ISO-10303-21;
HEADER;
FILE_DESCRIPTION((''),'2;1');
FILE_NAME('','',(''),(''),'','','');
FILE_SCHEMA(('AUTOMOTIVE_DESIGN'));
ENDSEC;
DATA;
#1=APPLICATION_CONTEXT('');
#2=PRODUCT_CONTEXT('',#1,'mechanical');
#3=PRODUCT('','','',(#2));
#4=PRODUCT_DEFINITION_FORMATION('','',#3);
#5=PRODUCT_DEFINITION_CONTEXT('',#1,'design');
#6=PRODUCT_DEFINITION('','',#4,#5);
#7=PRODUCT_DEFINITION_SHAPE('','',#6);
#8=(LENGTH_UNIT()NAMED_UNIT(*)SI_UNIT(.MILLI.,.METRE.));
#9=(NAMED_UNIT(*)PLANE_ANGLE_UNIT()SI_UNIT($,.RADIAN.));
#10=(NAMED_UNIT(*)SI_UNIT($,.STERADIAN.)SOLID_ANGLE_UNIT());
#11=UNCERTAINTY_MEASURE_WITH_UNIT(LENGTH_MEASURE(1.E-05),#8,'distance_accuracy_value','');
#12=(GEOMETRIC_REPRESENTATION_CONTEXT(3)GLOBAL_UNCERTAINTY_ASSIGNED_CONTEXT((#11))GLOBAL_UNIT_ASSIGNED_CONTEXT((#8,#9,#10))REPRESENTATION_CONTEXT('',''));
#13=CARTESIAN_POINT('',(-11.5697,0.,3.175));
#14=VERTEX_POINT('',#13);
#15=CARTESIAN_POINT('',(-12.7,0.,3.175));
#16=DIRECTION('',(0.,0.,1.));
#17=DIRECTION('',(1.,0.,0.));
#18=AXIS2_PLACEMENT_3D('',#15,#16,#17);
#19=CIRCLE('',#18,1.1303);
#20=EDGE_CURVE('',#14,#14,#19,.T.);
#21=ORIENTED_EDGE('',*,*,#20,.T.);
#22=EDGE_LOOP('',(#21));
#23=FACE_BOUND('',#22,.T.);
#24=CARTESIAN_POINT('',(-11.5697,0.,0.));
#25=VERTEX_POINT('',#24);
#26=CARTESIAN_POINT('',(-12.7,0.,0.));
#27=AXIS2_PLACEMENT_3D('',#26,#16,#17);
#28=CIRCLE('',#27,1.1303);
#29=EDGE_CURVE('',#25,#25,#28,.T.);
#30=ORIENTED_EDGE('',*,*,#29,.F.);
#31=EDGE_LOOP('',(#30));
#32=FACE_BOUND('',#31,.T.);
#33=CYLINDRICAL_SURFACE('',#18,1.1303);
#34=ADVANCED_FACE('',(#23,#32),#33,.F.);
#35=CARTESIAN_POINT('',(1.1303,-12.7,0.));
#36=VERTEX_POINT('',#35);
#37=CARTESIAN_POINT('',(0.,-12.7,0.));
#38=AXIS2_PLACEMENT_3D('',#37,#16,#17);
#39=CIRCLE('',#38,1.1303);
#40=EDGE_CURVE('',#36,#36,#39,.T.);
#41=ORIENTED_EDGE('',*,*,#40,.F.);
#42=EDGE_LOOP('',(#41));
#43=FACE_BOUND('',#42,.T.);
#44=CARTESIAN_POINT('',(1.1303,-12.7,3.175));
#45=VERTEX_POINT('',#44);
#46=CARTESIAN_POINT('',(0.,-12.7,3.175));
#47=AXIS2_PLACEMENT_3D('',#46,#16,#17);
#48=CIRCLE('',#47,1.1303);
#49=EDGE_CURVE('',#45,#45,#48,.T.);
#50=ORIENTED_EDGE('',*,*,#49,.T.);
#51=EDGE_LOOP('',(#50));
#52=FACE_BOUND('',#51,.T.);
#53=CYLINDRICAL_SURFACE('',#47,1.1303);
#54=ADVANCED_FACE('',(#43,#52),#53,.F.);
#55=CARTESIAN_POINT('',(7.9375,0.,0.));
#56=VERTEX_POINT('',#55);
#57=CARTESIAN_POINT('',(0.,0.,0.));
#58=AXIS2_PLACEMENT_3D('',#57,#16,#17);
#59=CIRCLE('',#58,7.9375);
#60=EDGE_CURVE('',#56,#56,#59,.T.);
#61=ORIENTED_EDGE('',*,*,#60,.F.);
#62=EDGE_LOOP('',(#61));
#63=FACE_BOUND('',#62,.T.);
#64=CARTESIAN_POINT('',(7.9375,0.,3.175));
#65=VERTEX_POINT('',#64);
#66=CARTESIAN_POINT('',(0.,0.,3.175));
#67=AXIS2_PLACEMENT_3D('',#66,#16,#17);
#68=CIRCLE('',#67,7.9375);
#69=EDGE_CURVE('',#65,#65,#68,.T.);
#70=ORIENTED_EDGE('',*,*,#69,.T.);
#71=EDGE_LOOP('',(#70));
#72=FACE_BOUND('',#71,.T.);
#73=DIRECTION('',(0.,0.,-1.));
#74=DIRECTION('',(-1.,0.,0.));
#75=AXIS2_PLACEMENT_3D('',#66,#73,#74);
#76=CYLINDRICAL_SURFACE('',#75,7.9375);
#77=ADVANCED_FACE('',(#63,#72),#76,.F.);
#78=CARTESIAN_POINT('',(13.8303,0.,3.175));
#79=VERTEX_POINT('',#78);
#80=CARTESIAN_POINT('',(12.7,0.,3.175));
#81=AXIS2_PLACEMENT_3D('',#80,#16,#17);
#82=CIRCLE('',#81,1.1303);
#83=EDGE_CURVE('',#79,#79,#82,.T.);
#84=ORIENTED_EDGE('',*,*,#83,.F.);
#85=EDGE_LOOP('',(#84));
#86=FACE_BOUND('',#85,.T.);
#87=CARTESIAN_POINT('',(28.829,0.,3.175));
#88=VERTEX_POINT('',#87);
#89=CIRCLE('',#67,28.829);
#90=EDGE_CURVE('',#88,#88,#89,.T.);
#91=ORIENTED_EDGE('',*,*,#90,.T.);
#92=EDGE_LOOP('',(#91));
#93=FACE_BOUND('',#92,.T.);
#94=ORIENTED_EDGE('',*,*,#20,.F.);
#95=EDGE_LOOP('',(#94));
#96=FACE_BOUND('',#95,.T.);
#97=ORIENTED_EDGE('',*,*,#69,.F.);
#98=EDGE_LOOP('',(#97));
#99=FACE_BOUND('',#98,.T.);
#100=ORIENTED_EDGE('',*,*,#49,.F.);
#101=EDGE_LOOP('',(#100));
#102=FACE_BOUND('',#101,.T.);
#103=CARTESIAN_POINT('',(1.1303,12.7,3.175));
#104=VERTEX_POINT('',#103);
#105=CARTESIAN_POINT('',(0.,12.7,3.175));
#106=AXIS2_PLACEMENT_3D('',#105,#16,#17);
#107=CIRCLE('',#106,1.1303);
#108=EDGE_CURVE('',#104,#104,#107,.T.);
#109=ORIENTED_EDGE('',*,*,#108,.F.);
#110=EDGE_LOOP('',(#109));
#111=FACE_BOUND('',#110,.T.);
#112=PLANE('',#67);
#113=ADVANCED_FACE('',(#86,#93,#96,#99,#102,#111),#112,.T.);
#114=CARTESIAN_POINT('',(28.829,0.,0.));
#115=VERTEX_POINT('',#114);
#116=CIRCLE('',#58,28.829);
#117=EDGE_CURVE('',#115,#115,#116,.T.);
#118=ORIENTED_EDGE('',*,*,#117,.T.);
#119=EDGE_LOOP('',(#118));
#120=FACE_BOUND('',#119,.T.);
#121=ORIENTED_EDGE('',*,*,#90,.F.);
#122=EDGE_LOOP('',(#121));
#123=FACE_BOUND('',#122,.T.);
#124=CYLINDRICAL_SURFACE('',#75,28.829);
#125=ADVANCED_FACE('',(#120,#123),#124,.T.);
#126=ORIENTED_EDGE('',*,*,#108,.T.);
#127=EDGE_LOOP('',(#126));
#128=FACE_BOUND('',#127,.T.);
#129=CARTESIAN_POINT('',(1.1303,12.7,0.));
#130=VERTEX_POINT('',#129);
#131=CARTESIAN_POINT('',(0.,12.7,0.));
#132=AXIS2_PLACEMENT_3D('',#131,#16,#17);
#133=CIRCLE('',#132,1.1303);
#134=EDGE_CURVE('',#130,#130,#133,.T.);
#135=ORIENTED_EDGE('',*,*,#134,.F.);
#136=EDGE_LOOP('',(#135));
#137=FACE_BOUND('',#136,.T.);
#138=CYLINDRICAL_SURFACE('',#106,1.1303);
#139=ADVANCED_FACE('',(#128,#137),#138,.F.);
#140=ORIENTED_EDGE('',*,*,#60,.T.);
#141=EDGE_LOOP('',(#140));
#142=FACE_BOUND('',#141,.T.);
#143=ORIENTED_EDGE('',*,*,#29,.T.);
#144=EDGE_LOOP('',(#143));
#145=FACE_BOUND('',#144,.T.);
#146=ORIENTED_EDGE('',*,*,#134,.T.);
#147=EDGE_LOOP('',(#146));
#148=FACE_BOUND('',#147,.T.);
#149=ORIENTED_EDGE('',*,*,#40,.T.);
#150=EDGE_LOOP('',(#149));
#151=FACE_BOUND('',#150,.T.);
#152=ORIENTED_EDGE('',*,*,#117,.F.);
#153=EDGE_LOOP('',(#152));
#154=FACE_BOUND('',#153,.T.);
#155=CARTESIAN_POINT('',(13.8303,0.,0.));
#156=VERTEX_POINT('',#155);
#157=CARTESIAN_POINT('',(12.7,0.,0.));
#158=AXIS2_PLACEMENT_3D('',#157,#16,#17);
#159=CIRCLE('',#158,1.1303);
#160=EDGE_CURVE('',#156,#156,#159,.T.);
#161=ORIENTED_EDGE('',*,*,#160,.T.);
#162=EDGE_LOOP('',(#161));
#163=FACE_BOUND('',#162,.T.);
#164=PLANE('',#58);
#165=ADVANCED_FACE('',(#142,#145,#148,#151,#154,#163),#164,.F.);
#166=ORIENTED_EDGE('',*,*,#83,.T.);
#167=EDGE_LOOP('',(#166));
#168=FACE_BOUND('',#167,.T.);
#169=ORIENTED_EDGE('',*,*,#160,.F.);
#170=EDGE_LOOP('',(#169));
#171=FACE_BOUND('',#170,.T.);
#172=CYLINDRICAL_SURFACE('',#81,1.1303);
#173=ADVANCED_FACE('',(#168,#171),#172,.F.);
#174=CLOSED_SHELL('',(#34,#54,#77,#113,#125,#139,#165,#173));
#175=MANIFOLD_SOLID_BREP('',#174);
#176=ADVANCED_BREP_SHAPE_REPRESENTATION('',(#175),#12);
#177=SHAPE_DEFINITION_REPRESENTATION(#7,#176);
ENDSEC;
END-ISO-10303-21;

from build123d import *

# Parameters (mm, degrees)
SKETCH1_R                     = 28.829
SKETCH1_R_2                   = 7.9375
BOSS_EXTRUDE1_DEPTH           = 3.175
TAP_DRILL_FOR_4_40_TAP1_D     = 2.2606
TAP_DRILL_FOR_4_40_TAP1_DEPTH = 4
TAP_DRILL_FOR_4_40_TAP1_TIP   = 0.679152758


with BuildPart() as part:
    # Sketch1 → Boss-Extrude1 (new body)
    with BuildSketch(Plane.XY):
        Circle(SKETCH1_R)
        Circle(SKETCH1_R_2, mode=Mode.SUBTRACT)
    extrude(amount=BOSS_EXTRUDE1_DEPTH)

    # Tap Drill for #4-40 Tap1
    with Locations(Plane.XY.offset(3.175)):
        with Locations((0, 12.7), (0, -12.7), (12.7, 0), (-12.7, 0)):
            Hole(TAP_DRILL_FOR_4_40_TAP1_D / 2, depth=TAP_DRILL_FOR_4_40_TAP1_DEPTH)
            with Locations((0, 0, -(TAP_DRILL_FOR_4_40_TAP1_DEPTH + TAP_DRILL_FOR_4_40_TAP1_TIP / 2))):  # 118° drill point
                Cone(0, TAP_DRILL_FOR_4_40_TAP1_D / 2, TAP_DRILL_FOR_4_40_TAP1_TIP, mode=Mode.SUBTRACT)


solid = part.part
